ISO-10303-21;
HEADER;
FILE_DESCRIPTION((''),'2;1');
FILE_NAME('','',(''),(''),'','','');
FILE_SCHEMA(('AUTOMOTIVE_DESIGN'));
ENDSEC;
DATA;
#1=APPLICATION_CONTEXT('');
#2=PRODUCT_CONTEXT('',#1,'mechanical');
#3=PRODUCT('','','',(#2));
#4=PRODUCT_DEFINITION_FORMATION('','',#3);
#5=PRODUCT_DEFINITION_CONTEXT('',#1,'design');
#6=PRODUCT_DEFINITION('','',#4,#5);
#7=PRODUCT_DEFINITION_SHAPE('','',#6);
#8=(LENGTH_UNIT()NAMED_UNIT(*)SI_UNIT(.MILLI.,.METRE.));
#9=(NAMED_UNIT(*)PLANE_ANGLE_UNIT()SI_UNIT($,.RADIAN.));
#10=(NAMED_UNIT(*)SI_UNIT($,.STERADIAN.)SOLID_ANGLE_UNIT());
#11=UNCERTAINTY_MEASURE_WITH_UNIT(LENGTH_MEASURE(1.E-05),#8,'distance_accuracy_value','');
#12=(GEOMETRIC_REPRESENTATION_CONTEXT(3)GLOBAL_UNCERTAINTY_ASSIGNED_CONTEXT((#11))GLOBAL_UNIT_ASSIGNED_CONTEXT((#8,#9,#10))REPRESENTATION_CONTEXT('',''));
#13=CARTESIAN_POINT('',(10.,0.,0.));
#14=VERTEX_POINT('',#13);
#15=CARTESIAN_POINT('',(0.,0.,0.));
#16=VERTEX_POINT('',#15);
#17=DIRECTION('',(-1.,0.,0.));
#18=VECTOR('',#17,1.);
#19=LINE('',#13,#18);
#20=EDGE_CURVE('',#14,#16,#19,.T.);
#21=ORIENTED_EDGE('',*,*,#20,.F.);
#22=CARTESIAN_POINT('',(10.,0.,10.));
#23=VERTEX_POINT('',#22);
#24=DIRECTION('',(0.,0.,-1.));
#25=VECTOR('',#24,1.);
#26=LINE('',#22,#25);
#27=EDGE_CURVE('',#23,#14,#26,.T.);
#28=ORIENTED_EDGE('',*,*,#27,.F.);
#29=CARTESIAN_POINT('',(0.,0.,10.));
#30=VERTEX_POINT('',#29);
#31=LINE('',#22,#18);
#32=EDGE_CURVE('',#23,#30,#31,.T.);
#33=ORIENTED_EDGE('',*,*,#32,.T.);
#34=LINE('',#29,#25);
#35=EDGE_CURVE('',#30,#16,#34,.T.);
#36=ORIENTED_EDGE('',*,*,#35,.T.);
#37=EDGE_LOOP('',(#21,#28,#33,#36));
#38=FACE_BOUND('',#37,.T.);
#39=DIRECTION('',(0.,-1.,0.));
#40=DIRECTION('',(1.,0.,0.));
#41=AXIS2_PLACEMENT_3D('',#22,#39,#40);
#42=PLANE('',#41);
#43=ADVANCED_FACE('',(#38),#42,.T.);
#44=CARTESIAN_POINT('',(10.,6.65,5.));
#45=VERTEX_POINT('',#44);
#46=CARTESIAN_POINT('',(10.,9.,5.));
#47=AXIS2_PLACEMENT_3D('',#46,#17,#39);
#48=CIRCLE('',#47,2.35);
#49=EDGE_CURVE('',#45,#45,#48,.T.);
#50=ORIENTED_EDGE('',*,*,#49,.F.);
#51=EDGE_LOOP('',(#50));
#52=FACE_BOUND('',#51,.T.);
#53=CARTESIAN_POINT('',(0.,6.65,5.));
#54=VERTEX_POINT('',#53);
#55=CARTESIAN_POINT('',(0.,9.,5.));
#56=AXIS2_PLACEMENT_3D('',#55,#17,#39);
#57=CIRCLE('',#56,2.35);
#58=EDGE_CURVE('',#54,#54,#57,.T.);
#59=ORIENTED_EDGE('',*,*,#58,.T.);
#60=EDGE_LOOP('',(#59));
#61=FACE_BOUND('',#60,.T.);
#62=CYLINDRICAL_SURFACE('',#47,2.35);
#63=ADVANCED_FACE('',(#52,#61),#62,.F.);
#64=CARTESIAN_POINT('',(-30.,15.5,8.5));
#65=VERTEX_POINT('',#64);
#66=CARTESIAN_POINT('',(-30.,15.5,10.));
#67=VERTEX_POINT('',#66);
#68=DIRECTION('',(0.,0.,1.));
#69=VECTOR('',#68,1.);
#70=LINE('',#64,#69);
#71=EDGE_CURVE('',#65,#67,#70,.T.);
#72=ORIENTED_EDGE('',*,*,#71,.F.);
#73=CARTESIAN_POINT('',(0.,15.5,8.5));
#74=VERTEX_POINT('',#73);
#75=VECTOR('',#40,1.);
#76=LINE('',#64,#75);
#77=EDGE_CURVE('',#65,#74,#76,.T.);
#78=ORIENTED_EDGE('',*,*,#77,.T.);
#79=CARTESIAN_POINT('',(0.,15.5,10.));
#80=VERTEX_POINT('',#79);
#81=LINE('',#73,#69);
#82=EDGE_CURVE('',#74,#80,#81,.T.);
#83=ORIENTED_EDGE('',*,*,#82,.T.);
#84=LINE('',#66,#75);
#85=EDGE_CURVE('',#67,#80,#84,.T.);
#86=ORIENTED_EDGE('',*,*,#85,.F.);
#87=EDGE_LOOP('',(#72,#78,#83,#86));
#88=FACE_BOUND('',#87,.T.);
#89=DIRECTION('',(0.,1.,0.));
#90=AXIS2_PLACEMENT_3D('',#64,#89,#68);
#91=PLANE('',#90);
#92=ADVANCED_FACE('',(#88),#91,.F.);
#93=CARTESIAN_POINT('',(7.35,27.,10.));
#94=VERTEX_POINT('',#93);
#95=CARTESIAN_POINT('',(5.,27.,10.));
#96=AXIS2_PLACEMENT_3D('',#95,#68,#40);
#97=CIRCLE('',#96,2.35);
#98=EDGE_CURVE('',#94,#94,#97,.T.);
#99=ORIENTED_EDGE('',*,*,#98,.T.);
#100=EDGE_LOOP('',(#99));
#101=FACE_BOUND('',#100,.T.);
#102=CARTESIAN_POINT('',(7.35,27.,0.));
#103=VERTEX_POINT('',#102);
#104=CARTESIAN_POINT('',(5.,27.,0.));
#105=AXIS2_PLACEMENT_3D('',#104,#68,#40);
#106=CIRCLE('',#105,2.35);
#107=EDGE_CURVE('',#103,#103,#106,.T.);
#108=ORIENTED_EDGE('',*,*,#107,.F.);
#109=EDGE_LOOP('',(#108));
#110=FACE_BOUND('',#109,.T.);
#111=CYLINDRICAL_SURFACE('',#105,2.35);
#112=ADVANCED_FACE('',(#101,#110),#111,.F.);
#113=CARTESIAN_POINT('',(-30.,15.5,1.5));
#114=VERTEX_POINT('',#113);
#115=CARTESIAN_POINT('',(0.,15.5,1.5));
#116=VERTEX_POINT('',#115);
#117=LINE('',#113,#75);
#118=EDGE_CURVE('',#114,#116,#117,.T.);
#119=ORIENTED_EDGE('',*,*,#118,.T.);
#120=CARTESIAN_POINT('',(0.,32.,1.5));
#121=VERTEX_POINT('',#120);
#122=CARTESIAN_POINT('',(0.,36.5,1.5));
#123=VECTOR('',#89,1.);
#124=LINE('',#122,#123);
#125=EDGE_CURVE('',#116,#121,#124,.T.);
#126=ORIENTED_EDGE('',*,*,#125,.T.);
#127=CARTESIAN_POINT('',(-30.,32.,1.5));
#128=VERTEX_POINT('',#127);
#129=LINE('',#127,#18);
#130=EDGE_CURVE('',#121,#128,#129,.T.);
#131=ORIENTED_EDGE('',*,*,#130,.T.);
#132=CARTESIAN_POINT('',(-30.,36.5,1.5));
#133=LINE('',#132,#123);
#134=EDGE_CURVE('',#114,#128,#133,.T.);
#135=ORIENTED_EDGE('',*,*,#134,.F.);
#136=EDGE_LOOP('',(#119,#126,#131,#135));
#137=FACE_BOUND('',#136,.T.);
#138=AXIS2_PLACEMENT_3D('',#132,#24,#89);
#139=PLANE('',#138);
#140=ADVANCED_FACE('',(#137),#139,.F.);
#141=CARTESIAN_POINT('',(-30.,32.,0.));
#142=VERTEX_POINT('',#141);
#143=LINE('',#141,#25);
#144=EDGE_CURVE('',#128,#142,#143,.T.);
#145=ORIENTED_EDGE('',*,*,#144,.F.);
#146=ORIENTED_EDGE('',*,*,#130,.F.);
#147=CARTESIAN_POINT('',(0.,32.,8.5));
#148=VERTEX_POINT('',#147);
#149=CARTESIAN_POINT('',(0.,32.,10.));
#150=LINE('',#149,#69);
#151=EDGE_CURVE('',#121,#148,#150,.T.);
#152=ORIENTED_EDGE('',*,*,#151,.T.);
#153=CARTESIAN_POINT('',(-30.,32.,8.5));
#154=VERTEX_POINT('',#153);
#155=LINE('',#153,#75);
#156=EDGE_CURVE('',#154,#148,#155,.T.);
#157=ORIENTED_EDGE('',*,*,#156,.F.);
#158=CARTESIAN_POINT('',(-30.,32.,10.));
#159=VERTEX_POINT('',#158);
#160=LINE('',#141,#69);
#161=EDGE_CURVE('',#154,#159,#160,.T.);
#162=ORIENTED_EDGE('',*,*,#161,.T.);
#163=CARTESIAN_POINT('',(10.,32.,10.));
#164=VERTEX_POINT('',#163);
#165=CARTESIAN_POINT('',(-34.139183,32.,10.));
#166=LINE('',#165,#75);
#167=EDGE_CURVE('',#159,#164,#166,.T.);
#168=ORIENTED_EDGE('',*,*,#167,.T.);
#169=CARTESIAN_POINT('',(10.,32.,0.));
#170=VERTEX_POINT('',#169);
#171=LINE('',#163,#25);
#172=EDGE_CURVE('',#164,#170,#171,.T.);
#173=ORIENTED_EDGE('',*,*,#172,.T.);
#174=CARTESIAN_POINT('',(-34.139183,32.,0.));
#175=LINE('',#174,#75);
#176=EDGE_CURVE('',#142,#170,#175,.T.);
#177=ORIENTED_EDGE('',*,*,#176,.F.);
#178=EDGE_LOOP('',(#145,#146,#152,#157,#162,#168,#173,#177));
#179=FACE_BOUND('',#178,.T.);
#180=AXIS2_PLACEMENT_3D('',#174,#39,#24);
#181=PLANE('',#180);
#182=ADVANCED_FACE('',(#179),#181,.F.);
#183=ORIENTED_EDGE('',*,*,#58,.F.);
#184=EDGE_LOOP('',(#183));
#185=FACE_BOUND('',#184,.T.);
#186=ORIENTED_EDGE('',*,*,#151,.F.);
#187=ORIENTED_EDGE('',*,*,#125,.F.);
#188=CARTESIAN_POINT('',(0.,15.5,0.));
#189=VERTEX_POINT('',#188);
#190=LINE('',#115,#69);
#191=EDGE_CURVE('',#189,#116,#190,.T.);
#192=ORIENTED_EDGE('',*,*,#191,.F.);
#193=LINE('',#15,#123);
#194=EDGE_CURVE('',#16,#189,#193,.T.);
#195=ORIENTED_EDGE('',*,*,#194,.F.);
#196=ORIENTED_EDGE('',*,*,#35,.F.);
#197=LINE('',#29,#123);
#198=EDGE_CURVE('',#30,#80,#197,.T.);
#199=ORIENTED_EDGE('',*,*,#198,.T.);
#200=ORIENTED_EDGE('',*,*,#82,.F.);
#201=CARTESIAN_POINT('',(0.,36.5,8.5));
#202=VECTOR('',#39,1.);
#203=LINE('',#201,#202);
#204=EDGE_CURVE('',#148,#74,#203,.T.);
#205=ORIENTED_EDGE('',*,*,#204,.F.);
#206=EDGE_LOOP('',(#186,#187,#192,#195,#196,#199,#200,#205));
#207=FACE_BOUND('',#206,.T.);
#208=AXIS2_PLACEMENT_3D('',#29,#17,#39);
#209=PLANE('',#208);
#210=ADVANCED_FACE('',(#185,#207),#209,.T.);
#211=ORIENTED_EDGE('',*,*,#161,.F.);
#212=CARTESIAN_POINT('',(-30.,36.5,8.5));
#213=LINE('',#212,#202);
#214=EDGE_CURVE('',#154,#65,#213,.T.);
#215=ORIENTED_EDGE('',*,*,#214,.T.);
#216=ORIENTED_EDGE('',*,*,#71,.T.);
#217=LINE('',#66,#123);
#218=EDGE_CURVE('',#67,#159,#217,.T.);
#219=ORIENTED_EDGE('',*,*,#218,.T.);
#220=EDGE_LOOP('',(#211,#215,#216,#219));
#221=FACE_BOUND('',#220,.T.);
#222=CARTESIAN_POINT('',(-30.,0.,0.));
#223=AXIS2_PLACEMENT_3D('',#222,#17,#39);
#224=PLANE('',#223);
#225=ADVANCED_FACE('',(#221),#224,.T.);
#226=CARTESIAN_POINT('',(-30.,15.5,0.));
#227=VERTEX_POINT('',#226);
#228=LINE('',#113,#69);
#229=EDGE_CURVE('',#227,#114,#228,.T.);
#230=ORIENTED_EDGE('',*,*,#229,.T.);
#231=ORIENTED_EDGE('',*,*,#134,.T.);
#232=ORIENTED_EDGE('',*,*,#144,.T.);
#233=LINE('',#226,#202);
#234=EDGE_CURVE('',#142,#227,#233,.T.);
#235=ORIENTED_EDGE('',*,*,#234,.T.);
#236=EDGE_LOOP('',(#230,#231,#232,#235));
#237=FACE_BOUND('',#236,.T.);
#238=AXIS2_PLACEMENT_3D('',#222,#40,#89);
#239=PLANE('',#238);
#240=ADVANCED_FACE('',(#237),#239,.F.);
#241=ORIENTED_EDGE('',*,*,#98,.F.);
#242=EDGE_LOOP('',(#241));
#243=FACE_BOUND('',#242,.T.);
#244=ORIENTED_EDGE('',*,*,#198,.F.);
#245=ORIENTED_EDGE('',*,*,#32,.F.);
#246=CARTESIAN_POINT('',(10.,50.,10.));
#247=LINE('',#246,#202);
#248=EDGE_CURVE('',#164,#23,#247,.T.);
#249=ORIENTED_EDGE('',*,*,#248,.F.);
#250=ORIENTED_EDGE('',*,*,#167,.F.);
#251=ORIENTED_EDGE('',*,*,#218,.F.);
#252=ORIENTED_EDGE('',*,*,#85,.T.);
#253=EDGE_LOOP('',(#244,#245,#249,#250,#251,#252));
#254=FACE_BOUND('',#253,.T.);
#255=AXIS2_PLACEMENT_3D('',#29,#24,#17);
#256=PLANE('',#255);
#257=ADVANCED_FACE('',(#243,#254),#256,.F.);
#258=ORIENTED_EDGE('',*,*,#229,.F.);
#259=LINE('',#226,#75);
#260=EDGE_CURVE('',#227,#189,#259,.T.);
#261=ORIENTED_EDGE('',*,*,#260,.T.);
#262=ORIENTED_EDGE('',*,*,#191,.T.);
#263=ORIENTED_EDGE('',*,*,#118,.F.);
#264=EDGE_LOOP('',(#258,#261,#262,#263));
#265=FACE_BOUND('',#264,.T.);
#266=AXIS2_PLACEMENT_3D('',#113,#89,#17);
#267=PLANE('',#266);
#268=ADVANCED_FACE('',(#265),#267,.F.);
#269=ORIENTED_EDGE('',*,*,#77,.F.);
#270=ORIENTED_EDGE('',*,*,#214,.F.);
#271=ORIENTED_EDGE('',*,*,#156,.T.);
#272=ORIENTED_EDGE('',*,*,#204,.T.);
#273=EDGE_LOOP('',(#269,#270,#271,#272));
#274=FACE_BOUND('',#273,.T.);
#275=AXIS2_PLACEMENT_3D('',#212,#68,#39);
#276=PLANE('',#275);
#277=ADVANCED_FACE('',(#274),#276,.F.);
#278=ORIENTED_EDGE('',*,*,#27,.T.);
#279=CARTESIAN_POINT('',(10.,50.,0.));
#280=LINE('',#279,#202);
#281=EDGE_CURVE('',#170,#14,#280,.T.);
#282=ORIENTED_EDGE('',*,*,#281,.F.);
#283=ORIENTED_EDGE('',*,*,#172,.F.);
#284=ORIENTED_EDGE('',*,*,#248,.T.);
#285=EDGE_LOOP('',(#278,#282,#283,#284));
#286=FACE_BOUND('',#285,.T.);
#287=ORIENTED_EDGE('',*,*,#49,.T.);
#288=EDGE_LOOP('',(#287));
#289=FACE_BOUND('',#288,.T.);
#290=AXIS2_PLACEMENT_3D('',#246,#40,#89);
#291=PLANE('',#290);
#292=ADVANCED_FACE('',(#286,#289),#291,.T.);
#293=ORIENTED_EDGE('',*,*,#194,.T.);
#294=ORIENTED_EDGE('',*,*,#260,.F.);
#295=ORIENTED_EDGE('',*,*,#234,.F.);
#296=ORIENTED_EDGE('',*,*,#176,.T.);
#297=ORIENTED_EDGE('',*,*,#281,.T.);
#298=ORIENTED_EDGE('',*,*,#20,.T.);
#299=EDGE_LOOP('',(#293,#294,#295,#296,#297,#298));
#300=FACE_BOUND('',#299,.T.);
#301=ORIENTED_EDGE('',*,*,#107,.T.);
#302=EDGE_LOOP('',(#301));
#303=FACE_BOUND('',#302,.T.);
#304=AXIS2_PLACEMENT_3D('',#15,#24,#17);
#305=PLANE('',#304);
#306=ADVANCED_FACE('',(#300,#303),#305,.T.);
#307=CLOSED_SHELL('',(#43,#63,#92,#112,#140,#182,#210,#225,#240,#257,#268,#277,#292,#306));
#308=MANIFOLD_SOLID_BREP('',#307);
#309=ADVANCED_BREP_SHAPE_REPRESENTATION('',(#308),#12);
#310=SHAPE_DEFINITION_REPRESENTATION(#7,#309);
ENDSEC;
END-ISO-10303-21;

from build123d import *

# Parameters (mm, degrees)
SKETCH2_W           = 10
SKETCH2_H           = 50
BOSS_EXTRUDE1_DEPTH = 10
SKETCH6_R           = 2.35
CUT_EXTRUDE3_DEPTH  = 11
SKETCH7_R           = 2.35
CUT_EXTRUDE4_DEPTH  = 11
SKETCH8_W           = 1.5
SKETCH8_H           = 21
BOSS_EXTRUDE2_DEPTH = 30
SKETCH9_W           = 52.99414334
SKETCH9_H           = 19.059793282
CUT_EXTRUDE5_DEPTH  = 11


with BuildPart() as part:
    # Sketch2 → Boss-Extrude1 (new body)
    with BuildSketch(Plane.XY):
        with Locations((5, 25)):
            Rectangle(SKETCH2_W, SKETCH2_H)
    extrude(amount=BOSS_EXTRUDE1_DEPTH)

    # Sketch6 → Cut-Extrude3 (cut, through all)
    with BuildSketch(Plane.XY.offset(10)):
        with Locations((5, 27)):
            Circle(SKETCH6_R)
    extrude(amount=-CUT_EXTRUDE3_DEPTH, mode=Mode.SUBTRACT)

    # Sketch7 → Cut-Extrude4 (cut, through all)
    with BuildSketch(Plane.ZY):
        with Locations((5, 41)):
            Circle(SKETCH7_R)
        with Locations((5, 9)):
            Circle(SKETCH7_R)
    extrude(amount=-CUT_EXTRUDE4_DEPTH, mode=Mode.SUBTRACT)

    # Sketch8 → Boss-Extrude2 (add)
    with BuildSketch(Plane.ZY):
        with Locations((9.25, 26)):
            Rectangle(SKETCH8_W, SKETCH8_H)
        with Locations((0.75, 26)):
            Rectangle(SKETCH8_W, SKETCH8_H)
    extrude(amount=BOSS_EXTRUDE2_DEPTH)

    # Sketch9 → Cut-Extrude5 (cut, through all)
    with BuildSketch(Plane.XY.offset(10)):
        with Locations((-7.642110933, 41.529896641)):
            Rectangle(SKETCH9_W, SKETCH9_H)
    extrude(amount=-CUT_EXTRUDE5_DEPTH, mode=Mode.SUBTRACT)


solid = part.part
